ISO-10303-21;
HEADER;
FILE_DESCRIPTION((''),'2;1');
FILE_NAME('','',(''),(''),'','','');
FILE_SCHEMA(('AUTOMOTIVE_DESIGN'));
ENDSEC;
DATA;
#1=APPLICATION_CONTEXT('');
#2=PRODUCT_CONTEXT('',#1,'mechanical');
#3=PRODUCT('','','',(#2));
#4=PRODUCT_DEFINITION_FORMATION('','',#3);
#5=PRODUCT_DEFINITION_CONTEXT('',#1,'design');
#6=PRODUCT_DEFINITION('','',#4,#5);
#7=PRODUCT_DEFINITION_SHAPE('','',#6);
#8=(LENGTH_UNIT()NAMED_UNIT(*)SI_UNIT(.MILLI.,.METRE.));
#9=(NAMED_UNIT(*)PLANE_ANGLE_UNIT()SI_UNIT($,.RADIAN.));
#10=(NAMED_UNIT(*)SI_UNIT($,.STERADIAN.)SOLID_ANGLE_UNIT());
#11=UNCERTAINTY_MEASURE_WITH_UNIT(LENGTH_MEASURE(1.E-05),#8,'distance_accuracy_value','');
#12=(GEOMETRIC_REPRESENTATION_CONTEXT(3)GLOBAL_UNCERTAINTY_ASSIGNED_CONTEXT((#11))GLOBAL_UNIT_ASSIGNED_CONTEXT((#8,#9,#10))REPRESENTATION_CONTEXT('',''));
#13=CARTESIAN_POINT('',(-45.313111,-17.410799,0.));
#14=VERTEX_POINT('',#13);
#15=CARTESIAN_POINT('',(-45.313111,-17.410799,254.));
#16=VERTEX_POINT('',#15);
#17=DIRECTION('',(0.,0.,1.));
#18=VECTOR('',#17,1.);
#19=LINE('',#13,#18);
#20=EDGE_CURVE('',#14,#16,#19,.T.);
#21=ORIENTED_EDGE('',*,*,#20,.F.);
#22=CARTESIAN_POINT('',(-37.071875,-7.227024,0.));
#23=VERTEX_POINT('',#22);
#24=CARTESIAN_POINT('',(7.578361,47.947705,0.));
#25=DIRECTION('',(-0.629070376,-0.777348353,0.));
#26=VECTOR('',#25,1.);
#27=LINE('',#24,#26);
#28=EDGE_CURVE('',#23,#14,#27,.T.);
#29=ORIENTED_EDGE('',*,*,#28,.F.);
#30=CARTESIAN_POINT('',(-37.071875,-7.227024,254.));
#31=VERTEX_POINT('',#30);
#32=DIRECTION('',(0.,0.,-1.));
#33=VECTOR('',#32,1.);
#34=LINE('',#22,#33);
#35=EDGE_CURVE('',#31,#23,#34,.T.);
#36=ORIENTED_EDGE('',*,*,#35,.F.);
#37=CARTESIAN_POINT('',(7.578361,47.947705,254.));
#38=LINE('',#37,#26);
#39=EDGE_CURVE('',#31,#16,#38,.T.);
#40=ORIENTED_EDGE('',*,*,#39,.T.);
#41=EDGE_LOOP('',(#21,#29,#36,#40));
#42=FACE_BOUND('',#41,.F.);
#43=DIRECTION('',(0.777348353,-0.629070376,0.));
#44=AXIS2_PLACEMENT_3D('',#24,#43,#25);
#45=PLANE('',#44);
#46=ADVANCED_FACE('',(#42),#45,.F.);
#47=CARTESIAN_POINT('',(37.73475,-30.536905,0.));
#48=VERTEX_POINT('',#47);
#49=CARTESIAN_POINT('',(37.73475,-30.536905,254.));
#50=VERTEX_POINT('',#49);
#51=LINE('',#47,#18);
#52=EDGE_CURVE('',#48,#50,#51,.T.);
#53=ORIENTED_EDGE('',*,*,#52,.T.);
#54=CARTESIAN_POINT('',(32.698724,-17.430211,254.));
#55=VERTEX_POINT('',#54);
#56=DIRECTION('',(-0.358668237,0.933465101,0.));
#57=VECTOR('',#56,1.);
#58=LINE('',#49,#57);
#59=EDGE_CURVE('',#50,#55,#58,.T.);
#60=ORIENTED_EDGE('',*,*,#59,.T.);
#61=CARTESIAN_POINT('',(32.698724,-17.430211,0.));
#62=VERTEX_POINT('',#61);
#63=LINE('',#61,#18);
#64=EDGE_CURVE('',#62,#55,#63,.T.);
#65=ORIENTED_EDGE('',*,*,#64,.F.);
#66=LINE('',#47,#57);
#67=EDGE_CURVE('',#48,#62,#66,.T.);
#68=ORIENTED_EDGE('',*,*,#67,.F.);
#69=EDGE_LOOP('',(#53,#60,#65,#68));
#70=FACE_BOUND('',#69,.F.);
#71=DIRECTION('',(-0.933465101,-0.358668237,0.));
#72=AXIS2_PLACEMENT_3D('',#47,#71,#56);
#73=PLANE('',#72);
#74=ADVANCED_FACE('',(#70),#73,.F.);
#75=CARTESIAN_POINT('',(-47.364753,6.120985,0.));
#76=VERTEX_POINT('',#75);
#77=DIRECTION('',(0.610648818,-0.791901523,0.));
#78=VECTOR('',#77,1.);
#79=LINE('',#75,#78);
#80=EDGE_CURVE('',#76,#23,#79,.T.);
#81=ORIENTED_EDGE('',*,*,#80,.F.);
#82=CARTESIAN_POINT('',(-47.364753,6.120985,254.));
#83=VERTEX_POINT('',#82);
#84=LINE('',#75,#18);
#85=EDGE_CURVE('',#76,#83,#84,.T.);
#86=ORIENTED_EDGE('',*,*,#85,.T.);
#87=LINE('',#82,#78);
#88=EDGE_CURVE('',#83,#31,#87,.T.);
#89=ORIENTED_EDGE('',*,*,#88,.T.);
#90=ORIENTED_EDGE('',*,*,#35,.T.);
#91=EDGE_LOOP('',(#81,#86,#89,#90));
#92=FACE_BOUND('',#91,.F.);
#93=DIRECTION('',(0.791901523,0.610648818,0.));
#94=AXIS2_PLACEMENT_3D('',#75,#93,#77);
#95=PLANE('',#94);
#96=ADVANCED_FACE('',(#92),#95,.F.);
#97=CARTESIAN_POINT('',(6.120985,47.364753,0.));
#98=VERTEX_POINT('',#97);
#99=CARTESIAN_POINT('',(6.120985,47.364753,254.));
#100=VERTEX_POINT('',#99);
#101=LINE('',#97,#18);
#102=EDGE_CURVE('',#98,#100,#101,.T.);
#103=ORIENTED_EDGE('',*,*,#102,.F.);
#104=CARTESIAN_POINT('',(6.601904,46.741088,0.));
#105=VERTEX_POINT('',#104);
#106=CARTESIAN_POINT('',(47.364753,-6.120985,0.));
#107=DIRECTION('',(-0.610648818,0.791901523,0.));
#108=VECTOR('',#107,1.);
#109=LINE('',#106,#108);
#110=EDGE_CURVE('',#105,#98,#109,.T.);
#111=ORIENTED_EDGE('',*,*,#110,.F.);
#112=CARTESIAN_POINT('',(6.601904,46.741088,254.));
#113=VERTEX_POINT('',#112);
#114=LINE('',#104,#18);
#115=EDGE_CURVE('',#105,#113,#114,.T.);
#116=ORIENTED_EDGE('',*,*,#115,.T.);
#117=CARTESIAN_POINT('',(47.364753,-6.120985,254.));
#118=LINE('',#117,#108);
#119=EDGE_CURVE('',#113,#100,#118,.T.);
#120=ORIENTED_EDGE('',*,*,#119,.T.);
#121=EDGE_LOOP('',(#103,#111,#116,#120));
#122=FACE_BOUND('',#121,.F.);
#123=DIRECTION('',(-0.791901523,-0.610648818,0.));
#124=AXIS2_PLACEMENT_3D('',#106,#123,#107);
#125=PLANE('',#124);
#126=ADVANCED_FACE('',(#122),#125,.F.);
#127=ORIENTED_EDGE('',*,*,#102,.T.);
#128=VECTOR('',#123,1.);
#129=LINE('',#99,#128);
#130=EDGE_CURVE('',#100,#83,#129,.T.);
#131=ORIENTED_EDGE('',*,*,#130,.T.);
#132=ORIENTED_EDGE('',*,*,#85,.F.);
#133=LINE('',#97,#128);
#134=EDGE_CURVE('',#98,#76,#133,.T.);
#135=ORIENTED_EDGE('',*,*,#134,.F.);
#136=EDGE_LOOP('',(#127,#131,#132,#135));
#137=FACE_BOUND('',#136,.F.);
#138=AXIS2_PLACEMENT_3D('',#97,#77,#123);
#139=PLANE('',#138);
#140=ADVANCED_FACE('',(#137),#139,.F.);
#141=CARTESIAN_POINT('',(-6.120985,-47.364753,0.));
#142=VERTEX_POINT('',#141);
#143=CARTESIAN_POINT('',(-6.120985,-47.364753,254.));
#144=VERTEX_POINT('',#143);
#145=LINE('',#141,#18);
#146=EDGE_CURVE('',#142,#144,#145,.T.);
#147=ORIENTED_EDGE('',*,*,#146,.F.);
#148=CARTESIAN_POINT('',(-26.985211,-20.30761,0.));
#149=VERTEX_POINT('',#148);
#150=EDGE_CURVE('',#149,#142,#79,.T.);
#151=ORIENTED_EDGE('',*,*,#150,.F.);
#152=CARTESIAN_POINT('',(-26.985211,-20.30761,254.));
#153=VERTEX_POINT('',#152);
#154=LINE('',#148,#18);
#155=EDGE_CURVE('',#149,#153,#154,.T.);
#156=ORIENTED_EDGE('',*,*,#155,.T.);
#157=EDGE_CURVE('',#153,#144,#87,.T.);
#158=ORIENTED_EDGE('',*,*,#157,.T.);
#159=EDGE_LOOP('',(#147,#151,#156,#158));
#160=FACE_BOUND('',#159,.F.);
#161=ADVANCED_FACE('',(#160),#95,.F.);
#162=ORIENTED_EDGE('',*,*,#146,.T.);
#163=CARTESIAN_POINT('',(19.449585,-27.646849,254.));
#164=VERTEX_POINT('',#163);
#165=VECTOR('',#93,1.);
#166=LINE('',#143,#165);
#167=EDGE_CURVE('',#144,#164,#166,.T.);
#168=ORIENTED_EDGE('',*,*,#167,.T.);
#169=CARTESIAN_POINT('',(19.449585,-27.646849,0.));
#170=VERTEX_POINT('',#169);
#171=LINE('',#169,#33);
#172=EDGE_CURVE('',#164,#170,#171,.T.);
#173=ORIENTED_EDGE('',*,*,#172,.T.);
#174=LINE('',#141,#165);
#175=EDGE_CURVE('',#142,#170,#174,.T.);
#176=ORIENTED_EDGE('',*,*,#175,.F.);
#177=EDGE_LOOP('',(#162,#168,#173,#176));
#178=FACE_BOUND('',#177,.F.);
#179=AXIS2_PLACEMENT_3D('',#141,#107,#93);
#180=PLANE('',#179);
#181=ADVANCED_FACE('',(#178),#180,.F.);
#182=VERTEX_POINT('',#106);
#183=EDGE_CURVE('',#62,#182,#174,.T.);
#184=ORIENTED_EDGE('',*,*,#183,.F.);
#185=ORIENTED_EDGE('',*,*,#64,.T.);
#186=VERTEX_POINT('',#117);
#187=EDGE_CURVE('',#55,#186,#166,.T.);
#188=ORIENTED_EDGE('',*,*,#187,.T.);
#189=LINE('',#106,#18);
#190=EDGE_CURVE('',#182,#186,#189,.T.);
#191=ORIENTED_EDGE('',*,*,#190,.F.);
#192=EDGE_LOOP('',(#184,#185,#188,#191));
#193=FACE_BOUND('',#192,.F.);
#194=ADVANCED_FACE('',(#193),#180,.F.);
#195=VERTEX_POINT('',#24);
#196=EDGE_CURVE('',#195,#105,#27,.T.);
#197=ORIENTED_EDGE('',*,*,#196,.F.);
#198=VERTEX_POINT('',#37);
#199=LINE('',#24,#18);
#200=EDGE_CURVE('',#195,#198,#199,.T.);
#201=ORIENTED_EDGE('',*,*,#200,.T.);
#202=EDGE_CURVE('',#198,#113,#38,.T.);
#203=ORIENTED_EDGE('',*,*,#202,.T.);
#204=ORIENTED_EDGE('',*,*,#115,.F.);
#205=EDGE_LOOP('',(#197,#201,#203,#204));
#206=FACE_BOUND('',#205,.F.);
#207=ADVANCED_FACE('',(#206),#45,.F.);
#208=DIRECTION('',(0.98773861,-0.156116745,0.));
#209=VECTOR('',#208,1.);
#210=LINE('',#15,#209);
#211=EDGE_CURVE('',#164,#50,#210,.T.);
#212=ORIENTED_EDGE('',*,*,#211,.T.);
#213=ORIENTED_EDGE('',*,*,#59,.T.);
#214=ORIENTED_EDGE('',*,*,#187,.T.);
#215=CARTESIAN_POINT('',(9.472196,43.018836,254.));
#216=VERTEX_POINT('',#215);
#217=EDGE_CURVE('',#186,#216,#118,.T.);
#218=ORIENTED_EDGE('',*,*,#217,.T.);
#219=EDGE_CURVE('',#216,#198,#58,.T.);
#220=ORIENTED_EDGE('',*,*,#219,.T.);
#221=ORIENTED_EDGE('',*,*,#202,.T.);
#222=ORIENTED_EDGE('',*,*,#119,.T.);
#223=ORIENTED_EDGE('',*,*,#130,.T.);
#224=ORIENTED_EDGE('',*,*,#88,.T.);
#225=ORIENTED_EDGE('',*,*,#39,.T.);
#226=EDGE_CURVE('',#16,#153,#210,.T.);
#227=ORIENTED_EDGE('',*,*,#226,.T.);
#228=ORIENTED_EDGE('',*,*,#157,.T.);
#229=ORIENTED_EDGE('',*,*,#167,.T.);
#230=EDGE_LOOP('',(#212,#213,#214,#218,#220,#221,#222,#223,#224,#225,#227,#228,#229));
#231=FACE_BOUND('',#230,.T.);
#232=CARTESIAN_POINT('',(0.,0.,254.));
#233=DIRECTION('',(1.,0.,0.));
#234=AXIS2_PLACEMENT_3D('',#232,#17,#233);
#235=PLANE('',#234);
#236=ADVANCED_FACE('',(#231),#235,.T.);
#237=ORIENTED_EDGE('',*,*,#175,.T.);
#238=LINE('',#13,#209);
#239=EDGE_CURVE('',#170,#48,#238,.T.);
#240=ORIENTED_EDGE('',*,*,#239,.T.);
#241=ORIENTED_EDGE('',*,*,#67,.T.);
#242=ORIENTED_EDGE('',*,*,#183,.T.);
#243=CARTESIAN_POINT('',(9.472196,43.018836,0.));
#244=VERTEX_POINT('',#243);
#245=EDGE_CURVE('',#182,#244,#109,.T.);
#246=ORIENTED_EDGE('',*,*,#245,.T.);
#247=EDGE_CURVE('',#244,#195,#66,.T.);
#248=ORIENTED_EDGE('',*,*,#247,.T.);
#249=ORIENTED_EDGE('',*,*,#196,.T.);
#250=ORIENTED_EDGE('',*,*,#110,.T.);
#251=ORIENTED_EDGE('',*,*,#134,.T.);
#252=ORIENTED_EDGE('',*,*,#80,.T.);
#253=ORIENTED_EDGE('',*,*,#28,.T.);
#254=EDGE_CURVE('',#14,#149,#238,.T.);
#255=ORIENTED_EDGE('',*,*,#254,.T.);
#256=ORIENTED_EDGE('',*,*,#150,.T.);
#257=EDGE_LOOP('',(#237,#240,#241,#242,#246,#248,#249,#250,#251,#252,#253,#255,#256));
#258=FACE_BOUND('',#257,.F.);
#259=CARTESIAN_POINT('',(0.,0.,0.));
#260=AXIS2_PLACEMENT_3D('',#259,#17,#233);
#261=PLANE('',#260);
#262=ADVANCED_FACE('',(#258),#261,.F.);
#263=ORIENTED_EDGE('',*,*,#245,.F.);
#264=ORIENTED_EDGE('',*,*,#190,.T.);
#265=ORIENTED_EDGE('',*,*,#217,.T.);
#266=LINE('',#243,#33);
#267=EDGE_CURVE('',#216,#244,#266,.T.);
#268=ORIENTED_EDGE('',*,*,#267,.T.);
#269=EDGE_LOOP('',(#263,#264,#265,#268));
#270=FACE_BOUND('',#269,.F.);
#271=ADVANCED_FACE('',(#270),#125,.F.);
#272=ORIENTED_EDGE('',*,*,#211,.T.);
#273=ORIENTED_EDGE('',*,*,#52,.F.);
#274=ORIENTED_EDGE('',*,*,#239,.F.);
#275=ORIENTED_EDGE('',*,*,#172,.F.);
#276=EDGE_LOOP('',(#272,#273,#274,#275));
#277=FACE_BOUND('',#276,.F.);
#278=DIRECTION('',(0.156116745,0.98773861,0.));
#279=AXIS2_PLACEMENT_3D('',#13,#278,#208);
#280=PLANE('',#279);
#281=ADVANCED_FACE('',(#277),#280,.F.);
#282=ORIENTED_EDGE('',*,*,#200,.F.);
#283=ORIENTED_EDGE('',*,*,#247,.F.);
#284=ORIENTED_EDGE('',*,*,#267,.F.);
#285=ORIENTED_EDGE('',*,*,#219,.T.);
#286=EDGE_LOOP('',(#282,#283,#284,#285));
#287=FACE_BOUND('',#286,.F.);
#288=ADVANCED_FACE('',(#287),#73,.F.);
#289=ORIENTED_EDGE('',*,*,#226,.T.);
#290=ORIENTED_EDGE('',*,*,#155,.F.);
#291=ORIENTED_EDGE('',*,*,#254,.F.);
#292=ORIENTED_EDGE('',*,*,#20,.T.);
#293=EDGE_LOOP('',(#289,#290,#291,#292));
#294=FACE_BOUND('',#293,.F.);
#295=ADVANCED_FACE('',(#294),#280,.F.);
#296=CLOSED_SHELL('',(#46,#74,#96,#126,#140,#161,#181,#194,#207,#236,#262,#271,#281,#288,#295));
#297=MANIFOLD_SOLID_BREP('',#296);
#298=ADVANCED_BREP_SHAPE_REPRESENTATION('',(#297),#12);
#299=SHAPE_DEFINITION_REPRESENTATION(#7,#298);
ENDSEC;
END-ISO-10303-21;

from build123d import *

# Parameters (mm, degrees)
F2_DEPTH = 254
F3_DEPTH = 254


with BuildPart() as f2:
    # F0 (on Top) → F2 (new body)
    with BuildSketch(Plane.XY):
        Polygon((-47.364753, 6.120985), (-6.120985, -47.364753), (47.364753, -6.120985), (6.120985, 47.364753), align=None)
    extrude(amount=F2_DEPTH)

    # F1 (on Top) → F3 (join)
    with BuildSketch(Plane.XY):
        Polygon((37.73475, -30.536905), (7.578361, 47.947705), (-45.313111, -17.410799), align=None)
    extrude(amount=F3_DEPTH)


solid = f2.part
